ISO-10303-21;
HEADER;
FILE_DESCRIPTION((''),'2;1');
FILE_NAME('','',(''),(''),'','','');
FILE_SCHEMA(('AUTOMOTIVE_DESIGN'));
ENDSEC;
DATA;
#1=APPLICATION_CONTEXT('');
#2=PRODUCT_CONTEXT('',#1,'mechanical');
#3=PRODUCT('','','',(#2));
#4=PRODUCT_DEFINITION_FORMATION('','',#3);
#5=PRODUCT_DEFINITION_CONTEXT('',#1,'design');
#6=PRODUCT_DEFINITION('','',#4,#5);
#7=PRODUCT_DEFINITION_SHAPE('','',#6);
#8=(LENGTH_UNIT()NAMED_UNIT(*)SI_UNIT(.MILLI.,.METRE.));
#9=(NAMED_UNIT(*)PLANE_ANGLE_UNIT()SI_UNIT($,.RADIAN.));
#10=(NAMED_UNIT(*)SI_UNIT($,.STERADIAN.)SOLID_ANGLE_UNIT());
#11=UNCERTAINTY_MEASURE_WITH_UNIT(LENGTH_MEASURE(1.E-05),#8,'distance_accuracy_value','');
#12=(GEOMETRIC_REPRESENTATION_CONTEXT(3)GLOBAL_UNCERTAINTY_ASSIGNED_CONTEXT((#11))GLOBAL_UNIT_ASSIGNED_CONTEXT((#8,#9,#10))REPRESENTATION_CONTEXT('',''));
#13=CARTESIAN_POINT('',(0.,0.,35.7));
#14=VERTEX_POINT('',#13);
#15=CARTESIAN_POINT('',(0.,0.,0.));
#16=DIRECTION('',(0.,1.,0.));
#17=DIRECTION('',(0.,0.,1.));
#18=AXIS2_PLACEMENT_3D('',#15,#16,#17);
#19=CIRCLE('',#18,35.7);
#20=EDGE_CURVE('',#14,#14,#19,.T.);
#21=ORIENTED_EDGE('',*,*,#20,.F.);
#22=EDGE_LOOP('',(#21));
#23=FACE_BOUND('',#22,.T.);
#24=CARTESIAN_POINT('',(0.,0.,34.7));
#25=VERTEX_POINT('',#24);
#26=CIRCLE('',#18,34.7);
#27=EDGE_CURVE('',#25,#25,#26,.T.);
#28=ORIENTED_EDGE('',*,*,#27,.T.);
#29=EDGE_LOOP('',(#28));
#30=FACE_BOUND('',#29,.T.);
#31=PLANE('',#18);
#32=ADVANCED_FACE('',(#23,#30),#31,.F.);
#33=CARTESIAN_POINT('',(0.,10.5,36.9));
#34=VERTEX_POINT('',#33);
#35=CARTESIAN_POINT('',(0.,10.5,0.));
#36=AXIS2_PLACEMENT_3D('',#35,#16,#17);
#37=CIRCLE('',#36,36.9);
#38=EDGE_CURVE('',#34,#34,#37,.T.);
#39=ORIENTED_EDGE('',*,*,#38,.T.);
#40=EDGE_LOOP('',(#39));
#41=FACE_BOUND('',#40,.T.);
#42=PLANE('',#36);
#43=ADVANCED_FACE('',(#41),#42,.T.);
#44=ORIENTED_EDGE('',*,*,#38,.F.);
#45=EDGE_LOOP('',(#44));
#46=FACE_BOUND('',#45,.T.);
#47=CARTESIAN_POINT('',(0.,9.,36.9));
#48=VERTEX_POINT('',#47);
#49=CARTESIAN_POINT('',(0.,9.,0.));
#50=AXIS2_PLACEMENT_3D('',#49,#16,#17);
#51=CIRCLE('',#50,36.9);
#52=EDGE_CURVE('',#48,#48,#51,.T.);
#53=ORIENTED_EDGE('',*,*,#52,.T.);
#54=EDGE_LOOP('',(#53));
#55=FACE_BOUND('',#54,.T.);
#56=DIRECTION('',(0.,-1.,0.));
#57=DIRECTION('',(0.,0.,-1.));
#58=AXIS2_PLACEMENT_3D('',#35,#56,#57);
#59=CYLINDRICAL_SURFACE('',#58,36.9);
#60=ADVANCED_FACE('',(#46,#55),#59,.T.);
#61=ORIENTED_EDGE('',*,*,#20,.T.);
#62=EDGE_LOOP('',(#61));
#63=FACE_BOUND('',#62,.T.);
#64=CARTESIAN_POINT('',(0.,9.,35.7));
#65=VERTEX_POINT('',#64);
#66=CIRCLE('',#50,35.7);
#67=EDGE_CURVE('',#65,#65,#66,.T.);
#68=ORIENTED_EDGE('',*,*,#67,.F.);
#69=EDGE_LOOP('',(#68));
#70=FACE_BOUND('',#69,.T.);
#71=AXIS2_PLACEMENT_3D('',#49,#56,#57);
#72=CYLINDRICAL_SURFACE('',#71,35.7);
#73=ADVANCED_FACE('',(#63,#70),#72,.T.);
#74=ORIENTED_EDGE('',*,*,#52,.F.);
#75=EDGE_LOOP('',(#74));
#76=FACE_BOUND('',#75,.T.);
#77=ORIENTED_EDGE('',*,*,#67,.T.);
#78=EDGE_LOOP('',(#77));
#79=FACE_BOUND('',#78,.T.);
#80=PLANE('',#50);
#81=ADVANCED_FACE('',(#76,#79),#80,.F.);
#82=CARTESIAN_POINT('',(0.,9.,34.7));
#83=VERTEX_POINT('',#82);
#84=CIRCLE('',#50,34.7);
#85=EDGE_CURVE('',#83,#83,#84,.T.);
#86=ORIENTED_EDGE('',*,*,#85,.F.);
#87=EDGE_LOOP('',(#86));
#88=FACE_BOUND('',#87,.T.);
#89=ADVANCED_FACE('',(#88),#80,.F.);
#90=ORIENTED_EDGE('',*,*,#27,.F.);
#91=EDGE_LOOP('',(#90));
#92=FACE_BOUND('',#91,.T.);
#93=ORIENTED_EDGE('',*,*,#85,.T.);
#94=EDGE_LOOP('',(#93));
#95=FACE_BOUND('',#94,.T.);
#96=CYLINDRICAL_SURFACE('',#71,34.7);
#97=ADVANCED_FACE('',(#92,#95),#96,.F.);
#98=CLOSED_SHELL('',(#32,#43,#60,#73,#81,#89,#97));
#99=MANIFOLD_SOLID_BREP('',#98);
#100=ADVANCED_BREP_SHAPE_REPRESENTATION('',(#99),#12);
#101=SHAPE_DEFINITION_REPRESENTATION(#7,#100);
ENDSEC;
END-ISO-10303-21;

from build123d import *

# Parameters (mm, degrees)
SKETCH1_R           = 35.7
SKETCH1_R_2         = 34.7
BOSS_EXTRUDE1_DEPTH = 9
SKETCH2_R           = 36.9
BOSS_EXTRUDE2_DEPTH = 1.5


with BuildPart() as part:
    # Sketch1 → Boss-Extrude1 (new body)
    with BuildSketch(Plane(origin=(0, 0, 0), x_dir=(1, 0, 0), z_dir=(0, 1, 0))):
        with Locations(Location((0, 0, 0), (0, 0, 270))):
            Circle(SKETCH1_R)
        with Locations(Location((0, 0, 0), (0, 0, 270))):
            Circle(SKETCH1_R_2, mode=Mode.SUBTRACT)
    extrude(amount=BOSS_EXTRUDE1_DEPTH)

    # Sketch2 → Boss-Extrude2 (add)
    with BuildSketch(Plane(origin=(0, 9, 0), x_dir=(1, 0, 0), z_dir=(0, 1, 0))):
        with Locations(Location((0, 0, 0), (0, 0, 270))):
            Circle(SKETCH2_R)
    extrude(amount=BOSS_EXTRUDE2_DEPTH)


solid = part.part
